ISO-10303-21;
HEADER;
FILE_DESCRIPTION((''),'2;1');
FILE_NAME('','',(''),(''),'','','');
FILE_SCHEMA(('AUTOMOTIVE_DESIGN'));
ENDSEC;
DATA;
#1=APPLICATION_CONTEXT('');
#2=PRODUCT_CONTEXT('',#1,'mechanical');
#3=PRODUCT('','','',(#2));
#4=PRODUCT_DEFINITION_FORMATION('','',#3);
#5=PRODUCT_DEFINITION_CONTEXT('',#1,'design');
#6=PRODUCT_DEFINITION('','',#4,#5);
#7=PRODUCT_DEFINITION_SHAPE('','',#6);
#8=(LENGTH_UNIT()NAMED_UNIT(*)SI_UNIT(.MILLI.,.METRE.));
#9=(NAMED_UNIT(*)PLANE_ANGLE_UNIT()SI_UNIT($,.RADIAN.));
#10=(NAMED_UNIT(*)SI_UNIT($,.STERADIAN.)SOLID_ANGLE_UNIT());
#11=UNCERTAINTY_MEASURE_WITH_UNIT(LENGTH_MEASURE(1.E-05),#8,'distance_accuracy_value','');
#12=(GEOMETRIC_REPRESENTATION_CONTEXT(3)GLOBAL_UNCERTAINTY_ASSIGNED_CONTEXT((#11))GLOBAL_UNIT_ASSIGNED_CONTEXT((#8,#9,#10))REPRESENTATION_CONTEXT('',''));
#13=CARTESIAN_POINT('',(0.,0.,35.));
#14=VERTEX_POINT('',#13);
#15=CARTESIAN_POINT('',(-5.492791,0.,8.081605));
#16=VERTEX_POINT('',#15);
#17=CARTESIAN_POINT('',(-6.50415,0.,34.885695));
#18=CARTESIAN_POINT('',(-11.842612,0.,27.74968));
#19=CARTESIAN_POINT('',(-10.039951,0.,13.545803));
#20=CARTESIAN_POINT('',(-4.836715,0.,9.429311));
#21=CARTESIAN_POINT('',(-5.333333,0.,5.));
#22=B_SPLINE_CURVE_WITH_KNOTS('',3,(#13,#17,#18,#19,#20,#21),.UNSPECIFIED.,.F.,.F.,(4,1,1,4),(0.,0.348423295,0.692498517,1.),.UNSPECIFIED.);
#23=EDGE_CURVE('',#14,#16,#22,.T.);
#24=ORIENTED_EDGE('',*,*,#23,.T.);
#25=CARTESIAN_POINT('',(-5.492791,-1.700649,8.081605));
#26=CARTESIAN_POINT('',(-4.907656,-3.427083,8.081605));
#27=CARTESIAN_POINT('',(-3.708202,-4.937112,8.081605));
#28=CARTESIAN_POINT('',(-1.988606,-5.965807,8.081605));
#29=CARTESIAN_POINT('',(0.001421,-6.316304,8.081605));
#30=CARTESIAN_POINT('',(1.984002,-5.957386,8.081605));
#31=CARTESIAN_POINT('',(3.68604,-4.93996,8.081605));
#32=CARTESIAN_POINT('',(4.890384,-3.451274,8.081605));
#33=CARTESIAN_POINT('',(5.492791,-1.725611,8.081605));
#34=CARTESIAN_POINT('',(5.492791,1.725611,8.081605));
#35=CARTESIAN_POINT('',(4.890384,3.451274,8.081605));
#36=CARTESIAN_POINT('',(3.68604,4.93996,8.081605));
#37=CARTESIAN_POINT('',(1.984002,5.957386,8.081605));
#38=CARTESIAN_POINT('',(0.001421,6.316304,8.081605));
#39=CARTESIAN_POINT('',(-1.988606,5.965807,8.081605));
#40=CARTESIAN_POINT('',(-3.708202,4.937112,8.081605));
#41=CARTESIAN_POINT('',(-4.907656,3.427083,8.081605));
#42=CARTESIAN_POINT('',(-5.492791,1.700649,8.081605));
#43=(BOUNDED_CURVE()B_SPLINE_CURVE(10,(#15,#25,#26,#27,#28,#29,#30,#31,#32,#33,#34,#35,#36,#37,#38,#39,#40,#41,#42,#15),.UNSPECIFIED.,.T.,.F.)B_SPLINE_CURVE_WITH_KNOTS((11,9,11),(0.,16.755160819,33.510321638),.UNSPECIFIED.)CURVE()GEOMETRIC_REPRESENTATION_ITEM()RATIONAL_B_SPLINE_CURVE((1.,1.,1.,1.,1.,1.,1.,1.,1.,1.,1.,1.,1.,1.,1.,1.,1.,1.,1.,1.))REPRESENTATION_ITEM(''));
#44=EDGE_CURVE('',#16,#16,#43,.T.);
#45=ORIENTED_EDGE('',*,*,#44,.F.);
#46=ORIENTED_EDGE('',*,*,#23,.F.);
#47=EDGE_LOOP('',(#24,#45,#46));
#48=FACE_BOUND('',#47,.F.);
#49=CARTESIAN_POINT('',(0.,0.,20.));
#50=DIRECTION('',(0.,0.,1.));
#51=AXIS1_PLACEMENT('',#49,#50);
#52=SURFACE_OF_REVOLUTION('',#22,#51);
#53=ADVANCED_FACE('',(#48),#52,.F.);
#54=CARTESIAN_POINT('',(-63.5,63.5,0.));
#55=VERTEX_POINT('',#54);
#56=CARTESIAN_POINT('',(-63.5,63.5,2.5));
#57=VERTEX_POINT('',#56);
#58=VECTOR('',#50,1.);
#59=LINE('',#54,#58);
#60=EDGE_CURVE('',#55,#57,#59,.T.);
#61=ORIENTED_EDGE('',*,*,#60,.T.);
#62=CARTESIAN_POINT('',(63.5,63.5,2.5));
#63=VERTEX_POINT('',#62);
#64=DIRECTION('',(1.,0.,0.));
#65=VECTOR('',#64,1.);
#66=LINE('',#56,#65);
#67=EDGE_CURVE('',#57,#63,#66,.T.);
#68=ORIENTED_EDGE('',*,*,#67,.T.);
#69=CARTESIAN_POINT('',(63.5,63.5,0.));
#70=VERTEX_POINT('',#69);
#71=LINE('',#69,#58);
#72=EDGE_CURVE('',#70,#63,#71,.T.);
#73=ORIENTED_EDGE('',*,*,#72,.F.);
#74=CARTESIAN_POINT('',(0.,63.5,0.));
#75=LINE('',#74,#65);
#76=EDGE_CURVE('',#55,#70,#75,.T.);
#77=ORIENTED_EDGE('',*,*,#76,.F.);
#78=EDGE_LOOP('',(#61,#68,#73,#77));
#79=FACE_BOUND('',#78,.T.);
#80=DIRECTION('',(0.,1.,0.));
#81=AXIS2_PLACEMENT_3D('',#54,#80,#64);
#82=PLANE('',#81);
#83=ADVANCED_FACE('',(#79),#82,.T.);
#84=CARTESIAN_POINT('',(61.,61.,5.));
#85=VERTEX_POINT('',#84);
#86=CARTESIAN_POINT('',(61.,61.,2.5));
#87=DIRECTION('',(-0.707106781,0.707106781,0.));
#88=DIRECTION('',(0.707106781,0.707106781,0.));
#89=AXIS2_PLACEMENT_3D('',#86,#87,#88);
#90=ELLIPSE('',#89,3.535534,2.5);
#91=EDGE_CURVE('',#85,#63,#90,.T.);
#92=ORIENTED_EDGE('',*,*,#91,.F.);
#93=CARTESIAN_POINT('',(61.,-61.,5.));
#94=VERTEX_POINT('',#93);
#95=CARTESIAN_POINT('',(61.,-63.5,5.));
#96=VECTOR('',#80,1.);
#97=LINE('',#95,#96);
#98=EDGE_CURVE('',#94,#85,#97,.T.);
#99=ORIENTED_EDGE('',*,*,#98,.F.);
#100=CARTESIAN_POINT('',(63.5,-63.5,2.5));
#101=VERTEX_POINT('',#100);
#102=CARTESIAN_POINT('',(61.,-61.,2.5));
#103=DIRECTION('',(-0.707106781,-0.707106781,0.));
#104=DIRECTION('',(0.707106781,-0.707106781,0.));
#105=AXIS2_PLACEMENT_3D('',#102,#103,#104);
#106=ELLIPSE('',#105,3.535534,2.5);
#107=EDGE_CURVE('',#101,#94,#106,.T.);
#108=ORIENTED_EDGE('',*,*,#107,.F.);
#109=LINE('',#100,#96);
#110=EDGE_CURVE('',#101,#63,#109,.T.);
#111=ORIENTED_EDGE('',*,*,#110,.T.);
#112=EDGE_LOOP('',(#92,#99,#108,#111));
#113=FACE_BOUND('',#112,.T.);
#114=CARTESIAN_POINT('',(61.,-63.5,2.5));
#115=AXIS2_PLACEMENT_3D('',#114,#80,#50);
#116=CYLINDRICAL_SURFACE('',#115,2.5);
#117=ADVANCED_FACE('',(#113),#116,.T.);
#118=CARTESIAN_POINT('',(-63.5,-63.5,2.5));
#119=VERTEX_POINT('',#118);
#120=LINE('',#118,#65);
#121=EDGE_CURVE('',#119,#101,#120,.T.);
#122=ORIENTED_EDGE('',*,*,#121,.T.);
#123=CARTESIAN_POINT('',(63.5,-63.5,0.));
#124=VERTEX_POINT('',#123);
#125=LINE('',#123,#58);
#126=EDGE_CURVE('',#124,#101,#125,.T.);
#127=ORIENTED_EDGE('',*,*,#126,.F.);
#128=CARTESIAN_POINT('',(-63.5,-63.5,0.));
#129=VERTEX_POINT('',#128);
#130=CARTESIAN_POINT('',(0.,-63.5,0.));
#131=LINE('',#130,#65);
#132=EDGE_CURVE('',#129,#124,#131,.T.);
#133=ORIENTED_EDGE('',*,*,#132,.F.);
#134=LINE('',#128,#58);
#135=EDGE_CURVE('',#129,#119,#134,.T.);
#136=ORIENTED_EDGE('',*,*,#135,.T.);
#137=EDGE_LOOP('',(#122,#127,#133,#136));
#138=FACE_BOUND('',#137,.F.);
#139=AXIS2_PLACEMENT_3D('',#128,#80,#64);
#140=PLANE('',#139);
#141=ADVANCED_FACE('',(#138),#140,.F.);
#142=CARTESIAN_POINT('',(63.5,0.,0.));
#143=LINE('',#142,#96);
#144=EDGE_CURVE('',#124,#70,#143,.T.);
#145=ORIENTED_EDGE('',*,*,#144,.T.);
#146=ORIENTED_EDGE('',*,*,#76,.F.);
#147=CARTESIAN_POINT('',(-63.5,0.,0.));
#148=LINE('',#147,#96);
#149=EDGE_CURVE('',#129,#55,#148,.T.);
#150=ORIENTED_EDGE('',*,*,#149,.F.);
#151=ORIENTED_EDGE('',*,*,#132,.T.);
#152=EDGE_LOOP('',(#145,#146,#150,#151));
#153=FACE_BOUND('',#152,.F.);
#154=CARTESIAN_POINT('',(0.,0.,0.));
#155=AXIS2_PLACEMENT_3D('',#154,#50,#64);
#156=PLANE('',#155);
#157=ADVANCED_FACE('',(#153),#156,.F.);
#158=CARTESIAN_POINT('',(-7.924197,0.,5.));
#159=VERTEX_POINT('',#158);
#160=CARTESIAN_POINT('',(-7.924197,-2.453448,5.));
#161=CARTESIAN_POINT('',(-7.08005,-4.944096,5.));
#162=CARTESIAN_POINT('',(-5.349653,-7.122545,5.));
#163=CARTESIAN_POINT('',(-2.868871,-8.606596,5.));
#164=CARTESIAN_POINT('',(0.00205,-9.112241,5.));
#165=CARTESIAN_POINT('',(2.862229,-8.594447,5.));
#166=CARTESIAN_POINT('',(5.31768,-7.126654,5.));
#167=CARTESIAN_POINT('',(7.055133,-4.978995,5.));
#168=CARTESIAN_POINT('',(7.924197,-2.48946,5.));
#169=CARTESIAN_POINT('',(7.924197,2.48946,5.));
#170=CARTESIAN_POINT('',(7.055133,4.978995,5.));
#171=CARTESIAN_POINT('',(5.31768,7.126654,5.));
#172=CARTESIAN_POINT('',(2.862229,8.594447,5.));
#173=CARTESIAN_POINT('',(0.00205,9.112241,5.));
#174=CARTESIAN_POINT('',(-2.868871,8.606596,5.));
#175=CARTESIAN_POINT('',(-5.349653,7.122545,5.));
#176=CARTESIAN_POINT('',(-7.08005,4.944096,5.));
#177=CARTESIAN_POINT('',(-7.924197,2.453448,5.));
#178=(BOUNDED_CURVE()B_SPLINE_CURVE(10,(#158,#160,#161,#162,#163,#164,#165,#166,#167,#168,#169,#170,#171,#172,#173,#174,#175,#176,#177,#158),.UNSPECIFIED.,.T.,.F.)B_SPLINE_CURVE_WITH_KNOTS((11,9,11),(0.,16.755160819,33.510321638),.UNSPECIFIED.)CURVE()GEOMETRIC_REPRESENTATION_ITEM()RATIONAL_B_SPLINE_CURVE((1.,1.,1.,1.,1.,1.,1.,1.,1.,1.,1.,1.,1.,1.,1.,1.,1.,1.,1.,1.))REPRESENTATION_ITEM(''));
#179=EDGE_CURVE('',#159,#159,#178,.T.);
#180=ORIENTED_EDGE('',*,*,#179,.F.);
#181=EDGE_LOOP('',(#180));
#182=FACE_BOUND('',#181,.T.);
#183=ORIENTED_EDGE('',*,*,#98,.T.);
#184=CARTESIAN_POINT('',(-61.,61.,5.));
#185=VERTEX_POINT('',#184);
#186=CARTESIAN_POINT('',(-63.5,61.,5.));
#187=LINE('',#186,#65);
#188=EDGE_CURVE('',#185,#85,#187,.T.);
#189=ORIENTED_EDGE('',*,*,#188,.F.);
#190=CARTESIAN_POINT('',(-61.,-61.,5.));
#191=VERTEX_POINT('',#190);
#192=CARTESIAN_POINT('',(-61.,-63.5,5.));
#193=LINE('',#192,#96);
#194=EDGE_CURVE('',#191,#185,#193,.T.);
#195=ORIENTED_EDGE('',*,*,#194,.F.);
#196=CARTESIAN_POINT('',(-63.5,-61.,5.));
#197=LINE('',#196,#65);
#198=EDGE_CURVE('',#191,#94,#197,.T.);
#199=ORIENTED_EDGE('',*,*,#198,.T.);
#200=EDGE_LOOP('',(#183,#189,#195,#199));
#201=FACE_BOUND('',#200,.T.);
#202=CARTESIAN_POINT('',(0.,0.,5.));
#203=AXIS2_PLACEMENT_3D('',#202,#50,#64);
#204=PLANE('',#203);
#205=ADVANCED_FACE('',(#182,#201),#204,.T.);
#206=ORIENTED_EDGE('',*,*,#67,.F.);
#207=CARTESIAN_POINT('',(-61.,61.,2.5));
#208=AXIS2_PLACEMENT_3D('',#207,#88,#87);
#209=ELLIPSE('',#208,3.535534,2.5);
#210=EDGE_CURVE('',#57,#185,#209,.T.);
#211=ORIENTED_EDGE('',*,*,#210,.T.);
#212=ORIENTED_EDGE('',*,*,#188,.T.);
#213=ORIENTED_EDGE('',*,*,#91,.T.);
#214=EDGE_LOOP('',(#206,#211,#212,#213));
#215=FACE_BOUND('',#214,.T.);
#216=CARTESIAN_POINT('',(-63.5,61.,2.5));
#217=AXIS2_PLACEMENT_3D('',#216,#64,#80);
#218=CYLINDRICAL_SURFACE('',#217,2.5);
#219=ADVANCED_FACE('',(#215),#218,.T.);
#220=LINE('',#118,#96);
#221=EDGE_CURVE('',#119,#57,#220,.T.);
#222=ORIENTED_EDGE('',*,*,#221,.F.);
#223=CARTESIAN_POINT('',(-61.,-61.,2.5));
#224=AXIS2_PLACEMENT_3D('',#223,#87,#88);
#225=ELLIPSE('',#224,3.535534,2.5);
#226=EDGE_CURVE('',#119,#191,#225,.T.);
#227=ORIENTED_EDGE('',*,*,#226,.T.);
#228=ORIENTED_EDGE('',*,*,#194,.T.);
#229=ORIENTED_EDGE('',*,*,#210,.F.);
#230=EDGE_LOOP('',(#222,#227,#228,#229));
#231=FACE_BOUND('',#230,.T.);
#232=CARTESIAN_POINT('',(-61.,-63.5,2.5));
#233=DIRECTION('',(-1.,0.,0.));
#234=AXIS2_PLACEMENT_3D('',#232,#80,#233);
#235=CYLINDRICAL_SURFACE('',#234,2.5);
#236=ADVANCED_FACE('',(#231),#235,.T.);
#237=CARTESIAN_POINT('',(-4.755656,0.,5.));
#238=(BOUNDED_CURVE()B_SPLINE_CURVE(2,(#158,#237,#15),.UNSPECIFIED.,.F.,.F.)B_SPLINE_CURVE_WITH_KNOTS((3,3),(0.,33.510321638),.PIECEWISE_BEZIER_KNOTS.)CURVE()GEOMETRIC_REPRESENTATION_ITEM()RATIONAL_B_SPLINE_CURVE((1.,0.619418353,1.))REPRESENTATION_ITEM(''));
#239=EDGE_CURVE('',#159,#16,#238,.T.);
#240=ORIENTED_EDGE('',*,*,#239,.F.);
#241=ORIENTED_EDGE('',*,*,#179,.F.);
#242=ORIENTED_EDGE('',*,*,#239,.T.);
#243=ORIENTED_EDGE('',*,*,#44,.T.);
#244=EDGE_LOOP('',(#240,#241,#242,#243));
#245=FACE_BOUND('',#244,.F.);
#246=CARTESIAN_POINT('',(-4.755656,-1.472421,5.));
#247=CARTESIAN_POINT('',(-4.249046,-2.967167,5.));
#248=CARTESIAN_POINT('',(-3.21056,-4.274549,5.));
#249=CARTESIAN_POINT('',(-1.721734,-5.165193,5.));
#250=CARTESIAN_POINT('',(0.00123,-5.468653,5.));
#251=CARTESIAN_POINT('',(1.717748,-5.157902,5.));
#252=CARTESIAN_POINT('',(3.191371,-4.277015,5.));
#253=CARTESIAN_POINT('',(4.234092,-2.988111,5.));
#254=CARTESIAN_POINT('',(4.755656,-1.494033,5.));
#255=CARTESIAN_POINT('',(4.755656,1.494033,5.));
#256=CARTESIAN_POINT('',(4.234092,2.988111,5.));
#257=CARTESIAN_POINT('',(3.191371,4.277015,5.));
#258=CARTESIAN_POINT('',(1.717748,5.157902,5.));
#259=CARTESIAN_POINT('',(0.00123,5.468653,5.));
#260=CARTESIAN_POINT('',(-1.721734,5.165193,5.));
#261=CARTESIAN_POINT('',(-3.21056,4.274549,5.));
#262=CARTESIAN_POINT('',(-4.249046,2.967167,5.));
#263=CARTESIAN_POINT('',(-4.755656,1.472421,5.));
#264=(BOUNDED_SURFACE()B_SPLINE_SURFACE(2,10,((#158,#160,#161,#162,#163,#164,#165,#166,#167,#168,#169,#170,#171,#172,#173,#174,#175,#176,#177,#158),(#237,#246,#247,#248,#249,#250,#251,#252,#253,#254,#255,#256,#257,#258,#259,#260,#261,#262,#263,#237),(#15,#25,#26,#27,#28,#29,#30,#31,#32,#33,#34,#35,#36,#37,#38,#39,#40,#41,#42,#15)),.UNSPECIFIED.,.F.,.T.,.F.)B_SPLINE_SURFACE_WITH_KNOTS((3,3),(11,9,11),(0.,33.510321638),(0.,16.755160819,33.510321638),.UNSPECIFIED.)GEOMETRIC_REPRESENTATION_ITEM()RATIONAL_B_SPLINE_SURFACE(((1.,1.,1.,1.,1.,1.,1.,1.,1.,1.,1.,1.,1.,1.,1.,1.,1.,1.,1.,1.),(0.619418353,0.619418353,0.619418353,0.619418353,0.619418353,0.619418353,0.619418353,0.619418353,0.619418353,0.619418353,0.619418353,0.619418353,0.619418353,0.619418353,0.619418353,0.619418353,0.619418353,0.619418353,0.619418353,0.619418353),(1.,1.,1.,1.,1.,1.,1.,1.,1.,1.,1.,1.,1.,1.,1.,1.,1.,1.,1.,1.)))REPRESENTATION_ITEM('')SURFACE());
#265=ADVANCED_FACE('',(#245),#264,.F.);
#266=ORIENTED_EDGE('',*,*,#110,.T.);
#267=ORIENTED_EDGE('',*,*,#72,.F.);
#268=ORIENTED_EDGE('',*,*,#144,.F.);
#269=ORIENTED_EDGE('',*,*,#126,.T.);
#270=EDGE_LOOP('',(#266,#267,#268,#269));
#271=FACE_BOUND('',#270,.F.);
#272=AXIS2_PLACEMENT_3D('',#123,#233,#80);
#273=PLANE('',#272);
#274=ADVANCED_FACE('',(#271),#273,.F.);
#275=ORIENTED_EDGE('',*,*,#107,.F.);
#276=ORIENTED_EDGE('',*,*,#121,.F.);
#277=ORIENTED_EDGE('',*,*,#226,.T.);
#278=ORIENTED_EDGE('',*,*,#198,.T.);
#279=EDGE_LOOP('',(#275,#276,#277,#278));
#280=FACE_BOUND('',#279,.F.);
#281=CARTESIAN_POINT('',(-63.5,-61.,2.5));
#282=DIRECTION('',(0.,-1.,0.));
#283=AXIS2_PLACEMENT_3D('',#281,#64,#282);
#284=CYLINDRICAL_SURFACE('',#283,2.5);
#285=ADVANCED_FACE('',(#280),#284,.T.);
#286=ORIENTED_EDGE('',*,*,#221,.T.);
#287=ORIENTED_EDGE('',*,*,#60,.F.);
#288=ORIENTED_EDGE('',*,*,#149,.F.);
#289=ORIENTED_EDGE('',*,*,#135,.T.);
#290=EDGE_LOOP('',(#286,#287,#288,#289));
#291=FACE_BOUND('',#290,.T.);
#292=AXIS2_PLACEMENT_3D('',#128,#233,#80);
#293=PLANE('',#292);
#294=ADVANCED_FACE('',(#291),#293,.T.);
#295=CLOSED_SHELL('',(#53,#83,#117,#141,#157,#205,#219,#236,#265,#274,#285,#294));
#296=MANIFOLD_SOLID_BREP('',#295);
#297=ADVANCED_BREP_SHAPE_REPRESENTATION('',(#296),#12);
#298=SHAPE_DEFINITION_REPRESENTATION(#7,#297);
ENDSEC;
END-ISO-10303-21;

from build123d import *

# Parameters (mm, degrees)
F1_W     = 127
F1_H     = 127
F2_DEPTH = 5
F5_R     = 2.5


with BuildPart() as f2:
    # F1 (on Top) → F2 (new body)
    with BuildSketch(Plane.XY):
        Rectangle(F1_W, F1_H)
    extrude(amount=F2_DEPTH)

    # F3 (on Front) → F4 (revolve)
    with BuildSketch(Plane.XZ):
        with BuildLine():
            Line((-5.3333333333, 5), (0, 5))
            Line((0, 5), (0, 35))
            add(Edge.make_bspline(
                [(0, 35), (-6.5041498378, 34.8856949083), (-11.8426118801, 27.7496803572), (-10.0399512827, 13.5458032148), (-4.8367147753, 9.4293111278), (-5.3333333333, 5)],
                knots=[0, 0, 0, 0, 0.3484232949, 0.6924985169, 1, 1, 1, 1], degree=3))
        make_face()
    revolve(axis=Axis((0, 0, 20), (0, 0, 1)))

    # F5
    f5_edges = [f2.edges().sort_by_distance(p)[0] for p in [
        (0, -63.5, 5),
        (-63.5, 0, 5),
        (63.5, 0, 5),
        (0, 63.5, 5),
        (5.333333, 0, 5),
    ]]
    fillet(f5_edges, radius=F5_R)


solid = f2.part
